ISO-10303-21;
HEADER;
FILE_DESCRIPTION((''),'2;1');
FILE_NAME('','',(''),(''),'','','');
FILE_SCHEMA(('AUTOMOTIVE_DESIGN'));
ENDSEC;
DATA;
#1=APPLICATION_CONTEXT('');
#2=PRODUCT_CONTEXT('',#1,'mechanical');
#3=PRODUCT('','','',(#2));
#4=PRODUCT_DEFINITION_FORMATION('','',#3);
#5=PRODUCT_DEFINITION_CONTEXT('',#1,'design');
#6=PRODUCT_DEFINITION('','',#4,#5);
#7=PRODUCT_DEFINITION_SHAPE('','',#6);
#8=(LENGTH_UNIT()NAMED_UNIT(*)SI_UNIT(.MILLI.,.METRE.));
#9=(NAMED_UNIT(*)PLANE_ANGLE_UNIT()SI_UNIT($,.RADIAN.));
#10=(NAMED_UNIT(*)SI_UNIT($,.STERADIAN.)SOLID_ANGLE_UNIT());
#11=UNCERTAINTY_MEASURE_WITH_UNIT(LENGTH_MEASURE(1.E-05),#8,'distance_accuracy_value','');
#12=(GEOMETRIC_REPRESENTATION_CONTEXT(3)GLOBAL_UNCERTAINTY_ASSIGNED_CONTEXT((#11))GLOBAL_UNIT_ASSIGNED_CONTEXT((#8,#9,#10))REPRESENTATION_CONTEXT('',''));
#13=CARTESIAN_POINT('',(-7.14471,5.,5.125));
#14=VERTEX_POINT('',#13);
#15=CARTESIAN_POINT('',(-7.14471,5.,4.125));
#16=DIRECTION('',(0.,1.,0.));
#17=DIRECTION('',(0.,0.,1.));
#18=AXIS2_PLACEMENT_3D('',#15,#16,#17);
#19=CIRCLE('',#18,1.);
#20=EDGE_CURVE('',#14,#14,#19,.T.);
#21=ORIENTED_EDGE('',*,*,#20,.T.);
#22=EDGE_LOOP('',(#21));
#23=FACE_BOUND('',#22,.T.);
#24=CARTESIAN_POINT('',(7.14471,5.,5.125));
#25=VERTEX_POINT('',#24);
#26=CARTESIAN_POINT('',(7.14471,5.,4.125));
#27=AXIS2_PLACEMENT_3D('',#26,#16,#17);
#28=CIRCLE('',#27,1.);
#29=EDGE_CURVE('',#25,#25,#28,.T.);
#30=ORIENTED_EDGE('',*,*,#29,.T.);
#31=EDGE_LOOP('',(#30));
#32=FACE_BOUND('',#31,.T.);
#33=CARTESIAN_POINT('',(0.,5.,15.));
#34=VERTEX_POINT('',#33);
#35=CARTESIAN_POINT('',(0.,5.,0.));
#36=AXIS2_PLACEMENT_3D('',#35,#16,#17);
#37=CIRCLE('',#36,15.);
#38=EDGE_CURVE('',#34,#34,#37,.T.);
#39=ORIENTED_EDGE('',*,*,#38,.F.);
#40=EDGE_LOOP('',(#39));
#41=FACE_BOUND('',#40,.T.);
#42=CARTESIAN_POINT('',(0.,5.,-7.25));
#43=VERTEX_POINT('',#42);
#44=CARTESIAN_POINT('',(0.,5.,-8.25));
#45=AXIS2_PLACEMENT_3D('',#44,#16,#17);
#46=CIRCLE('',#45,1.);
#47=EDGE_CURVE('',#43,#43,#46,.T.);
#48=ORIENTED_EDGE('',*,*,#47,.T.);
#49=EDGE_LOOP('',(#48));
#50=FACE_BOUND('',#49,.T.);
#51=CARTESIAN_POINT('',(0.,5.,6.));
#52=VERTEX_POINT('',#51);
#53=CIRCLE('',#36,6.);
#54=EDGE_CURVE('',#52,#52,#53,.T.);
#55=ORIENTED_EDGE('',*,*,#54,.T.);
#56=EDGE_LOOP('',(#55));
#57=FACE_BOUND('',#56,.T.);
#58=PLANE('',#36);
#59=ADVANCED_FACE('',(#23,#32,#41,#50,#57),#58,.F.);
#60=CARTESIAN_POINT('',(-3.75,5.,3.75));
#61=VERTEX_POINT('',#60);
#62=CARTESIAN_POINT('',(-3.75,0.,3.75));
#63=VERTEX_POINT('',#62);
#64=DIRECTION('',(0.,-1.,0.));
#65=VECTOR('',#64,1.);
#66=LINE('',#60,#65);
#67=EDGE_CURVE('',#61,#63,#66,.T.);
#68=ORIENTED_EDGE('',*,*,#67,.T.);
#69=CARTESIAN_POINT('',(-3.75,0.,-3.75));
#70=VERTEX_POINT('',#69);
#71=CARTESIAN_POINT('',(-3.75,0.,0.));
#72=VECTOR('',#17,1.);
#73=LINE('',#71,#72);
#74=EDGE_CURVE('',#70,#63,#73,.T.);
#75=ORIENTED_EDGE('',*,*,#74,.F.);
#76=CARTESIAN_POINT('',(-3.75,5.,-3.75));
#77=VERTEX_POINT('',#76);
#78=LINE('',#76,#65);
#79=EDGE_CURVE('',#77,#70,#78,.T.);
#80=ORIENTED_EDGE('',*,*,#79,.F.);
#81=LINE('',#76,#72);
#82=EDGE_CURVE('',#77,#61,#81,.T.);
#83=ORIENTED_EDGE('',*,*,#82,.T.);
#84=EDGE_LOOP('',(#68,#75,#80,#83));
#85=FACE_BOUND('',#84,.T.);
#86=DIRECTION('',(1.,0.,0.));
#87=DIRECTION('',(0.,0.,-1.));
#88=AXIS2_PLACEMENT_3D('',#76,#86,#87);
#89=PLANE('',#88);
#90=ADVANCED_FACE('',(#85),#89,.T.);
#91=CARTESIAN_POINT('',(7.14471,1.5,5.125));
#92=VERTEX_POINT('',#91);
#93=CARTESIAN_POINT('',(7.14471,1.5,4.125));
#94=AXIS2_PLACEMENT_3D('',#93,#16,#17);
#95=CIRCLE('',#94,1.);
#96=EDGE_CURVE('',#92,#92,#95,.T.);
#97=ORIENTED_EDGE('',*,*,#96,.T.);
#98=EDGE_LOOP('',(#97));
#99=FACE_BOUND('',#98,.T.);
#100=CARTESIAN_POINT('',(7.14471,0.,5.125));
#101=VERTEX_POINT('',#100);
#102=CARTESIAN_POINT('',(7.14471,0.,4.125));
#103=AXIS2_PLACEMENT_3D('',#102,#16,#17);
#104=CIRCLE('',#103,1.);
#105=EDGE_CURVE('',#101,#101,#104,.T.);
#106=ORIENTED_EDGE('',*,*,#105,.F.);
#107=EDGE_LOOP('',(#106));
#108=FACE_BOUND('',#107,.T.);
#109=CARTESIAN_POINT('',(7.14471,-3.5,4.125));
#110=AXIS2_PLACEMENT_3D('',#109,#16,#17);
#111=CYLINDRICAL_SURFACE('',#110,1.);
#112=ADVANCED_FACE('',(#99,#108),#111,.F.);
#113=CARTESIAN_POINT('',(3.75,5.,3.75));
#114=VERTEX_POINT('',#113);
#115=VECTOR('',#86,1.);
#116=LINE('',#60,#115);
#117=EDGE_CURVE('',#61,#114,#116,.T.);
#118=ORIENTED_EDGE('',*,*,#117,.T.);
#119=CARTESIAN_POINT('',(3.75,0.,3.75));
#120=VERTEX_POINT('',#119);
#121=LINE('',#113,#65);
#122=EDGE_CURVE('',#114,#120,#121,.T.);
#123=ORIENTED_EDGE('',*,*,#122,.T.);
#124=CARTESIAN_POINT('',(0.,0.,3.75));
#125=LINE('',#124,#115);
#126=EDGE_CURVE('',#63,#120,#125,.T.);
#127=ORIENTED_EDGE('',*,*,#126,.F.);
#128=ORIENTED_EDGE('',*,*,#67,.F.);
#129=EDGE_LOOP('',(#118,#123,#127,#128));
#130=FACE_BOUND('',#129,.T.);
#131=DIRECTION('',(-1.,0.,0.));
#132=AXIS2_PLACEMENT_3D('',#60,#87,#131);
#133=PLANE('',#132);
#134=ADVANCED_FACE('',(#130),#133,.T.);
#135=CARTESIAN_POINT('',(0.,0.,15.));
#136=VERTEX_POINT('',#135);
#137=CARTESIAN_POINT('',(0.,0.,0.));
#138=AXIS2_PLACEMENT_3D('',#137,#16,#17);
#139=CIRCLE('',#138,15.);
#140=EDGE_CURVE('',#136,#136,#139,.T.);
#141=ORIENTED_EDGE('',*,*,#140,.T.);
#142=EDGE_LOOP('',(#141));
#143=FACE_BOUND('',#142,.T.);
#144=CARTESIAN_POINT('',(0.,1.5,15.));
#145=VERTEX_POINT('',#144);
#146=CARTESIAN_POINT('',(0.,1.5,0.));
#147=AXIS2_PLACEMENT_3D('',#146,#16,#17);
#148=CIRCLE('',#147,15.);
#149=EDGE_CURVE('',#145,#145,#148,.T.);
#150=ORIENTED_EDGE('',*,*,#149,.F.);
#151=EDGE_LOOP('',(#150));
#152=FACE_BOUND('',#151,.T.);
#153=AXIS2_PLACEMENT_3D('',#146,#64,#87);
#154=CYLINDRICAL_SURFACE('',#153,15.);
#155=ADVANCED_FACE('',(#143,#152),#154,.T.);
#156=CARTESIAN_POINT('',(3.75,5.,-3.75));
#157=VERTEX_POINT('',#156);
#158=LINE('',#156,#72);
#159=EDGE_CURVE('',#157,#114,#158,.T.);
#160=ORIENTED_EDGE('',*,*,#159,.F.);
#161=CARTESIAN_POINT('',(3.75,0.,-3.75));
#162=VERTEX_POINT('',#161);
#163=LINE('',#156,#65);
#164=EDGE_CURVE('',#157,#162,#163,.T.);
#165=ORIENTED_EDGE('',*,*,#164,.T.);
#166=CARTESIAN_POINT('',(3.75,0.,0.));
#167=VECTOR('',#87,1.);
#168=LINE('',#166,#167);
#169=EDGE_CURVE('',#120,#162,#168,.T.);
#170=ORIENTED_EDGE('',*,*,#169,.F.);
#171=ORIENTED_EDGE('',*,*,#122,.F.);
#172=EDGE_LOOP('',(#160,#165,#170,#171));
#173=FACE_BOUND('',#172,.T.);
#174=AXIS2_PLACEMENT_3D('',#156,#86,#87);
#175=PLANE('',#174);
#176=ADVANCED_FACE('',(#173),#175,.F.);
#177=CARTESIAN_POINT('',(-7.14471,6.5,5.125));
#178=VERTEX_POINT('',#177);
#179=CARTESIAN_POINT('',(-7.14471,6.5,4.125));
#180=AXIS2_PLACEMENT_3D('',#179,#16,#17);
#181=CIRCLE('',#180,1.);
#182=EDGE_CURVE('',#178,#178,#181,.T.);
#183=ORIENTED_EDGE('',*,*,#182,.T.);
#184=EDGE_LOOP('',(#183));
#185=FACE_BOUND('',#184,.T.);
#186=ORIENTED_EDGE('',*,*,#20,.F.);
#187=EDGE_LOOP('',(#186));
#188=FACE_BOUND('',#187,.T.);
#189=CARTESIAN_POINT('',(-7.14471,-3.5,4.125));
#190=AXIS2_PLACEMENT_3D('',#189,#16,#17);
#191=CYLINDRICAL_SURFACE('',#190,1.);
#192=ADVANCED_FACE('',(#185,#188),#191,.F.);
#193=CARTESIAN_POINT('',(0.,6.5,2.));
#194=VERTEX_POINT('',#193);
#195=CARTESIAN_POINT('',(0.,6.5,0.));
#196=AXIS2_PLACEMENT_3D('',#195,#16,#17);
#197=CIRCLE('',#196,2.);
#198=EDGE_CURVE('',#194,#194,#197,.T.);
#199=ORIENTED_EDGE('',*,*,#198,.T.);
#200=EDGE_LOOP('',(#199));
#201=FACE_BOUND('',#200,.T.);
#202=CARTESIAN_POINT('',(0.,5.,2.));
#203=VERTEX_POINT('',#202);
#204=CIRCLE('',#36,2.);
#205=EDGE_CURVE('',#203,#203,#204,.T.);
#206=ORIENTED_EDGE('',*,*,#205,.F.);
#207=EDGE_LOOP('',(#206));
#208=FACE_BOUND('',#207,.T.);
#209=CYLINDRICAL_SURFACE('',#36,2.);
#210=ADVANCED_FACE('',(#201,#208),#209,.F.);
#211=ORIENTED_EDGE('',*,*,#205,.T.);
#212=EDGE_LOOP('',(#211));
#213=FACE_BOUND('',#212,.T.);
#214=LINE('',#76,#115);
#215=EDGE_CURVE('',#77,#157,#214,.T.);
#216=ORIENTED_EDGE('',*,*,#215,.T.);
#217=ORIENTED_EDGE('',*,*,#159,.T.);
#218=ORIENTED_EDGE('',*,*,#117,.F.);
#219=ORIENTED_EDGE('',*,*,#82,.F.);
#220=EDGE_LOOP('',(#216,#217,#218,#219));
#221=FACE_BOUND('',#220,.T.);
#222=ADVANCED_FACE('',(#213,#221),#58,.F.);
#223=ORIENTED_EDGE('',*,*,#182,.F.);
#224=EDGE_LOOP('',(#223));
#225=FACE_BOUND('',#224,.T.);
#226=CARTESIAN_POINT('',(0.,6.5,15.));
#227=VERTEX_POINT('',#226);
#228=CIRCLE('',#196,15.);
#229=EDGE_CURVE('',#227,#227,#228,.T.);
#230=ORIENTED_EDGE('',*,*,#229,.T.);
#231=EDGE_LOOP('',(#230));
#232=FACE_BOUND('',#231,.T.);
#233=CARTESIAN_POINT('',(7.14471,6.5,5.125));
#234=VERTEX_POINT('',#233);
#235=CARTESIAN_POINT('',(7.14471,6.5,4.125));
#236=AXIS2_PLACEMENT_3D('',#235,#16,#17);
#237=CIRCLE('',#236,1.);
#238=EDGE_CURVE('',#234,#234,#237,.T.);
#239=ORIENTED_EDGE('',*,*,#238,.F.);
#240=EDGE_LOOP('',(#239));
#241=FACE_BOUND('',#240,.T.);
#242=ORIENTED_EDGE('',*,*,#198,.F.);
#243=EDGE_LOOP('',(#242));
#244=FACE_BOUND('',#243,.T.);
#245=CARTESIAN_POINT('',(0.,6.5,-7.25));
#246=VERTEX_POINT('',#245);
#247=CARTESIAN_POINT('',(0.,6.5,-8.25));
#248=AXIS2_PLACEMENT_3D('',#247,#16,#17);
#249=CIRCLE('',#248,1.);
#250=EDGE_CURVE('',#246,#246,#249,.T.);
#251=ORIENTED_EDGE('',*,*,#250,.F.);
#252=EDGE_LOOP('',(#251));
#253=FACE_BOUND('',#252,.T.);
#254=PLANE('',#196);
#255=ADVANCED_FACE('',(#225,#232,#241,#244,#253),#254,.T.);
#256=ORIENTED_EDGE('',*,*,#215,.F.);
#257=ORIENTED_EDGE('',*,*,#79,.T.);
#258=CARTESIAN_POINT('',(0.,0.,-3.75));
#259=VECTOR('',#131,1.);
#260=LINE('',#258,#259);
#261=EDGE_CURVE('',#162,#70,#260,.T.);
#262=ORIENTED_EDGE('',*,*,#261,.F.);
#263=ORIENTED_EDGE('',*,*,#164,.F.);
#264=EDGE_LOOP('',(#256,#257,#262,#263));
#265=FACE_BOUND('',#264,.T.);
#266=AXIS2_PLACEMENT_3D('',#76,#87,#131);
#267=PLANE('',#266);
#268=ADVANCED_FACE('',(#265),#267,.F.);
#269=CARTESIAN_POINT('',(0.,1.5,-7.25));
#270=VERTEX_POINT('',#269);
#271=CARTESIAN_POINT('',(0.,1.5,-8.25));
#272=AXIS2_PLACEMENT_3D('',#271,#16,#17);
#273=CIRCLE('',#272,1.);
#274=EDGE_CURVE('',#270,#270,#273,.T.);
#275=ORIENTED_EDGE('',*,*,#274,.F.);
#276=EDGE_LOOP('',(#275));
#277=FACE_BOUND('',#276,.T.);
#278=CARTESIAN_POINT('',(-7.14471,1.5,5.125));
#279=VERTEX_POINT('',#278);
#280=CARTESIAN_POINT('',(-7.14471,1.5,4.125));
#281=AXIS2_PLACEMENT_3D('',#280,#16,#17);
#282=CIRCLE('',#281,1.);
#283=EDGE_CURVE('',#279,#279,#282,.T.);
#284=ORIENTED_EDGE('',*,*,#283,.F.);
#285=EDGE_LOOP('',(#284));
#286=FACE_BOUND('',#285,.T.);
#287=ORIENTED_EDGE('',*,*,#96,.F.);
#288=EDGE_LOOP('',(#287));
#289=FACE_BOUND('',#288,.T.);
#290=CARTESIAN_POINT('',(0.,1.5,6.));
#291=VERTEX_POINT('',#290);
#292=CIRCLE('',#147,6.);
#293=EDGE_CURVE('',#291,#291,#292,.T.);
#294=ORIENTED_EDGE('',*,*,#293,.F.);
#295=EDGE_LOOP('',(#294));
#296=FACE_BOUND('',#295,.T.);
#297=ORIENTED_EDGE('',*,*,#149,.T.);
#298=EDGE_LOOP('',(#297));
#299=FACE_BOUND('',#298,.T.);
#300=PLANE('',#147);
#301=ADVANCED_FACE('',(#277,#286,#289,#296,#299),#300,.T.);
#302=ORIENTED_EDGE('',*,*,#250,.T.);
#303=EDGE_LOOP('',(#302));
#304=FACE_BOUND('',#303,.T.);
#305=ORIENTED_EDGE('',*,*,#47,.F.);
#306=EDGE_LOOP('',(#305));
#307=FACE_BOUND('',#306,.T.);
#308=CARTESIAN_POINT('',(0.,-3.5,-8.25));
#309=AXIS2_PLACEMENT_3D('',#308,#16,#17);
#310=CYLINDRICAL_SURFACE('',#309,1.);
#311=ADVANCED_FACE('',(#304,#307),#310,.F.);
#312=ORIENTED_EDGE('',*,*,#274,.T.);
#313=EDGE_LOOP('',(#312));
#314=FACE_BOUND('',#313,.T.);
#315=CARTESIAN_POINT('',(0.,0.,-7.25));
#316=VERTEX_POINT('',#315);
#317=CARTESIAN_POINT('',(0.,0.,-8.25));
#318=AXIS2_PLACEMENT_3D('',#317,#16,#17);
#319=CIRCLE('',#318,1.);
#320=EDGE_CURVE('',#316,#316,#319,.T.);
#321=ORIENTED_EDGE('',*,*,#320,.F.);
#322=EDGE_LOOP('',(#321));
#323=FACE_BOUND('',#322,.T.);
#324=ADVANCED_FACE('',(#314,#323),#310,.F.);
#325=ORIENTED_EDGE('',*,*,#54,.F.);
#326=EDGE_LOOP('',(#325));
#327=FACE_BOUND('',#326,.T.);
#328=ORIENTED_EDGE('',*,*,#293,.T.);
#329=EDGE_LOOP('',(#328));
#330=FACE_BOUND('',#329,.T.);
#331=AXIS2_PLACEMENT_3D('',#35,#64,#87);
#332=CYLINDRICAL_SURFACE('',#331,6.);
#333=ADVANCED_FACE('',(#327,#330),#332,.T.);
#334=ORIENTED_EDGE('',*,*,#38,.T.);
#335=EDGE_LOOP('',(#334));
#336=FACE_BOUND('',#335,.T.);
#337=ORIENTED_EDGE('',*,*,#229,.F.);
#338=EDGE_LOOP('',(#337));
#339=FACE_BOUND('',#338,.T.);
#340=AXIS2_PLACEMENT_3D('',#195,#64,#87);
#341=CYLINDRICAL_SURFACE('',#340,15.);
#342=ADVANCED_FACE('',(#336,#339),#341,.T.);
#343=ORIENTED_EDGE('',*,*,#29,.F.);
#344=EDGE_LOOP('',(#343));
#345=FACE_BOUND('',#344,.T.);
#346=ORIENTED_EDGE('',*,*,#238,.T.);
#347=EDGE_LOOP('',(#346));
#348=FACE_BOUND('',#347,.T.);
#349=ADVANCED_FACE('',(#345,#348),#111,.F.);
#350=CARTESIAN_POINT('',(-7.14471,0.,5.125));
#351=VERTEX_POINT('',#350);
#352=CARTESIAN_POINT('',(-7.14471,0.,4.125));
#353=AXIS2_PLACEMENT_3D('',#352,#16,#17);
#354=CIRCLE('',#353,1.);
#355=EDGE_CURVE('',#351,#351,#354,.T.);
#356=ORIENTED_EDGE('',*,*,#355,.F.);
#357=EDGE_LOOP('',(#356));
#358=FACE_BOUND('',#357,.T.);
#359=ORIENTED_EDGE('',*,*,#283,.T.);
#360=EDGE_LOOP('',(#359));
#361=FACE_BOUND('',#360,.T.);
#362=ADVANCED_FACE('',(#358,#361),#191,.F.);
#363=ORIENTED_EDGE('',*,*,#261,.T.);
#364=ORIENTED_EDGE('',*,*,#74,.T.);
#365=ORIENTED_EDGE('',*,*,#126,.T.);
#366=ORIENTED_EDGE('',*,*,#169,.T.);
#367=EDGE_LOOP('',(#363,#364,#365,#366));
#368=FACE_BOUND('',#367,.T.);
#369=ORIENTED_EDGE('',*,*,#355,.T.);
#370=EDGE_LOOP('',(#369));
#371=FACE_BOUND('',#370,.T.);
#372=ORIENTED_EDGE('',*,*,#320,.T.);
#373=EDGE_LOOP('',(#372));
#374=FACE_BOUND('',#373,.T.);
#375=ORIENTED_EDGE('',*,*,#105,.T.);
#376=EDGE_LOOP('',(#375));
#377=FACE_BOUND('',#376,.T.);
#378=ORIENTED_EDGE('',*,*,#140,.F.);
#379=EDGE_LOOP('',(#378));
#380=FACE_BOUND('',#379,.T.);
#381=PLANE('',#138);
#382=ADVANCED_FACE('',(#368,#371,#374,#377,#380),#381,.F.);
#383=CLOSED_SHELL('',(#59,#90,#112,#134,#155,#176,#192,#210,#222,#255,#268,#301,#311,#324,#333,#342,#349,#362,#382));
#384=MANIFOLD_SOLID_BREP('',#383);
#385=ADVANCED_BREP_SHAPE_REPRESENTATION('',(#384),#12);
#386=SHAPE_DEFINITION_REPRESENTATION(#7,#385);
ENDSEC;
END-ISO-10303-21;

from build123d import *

# Parameters (mm, degrees)
SKETCH_1_R          = 15
EXTRUDE_1_DEPTH     = 1.5
SKETCH_2_R          = 6
SKETCH_2_W          = 7.5
SKETCH_2_H          = 7.5
EXTRUDE_2_DEPTH     = 3.5
SKETCH_3_W          = 7.5
SKETCH_3_H          = 7.5
CUT_EXTRUDE_1_DEPTH = 3.5
SKETCH_4_R          = 15
EXTRUDE_3_DEPTH     = 1.5
SKETCH_5_R          = 2
CUT_EXTRUDE_2_DEPTH = 1.5
SKETCH_6_R          = 1
CUT_EXTRUDE_3_DEPTH = 10


with BuildPart() as part:
    # 草图1 → 凸台-拉伸1 (new body)
    with BuildSketch(Plane(origin=(0, 0, 0), x_dir=(1, 0, 0), z_dir=(0, 1, 0))):
        Circle(SKETCH_1_R)
    extrude(amount=EXTRUDE_1_DEPTH)

    # 草图2 → 凸台-拉伸2 (add)
    with BuildSketch(Plane(origin=(0, 1.5, 0), x_dir=(1, 0, 0), z_dir=(0, 1, 0))):
        Circle(SKETCH_2_R)
        Rectangle(SKETCH_2_W, SKETCH_2_H, mode=Mode.SUBTRACT)
    extrude(amount=EXTRUDE_2_DEPTH)

    # 草图3 → 切除-拉伸1 (cut)
    with BuildSketch(Plane(origin=(0, 1.5, 0), x_dir=(1, 0, 0), z_dir=(0, 1, 0))):
        Rectangle(SKETCH_3_W, SKETCH_3_H)
    extrude(amount=-CUT_EXTRUDE_1_DEPTH, mode=Mode.SUBTRACT)

    # 草图4 → 凸台-拉伸3 (add)
    with BuildSketch(Plane(origin=(0, 5, 0), x_dir=(1, 0, 0), z_dir=(0, 1, 0))):
        Circle(SKETCH_4_R)
    extrude(amount=EXTRUDE_3_DEPTH)

    # 草图5 → 切除-拉伸2 (cut)
    with BuildSketch(Plane(origin=(0, 6.5, 0), x_dir=(1, 0, 0), z_dir=(0, 1, 0))):
        Circle(SKETCH_5_R)
    extrude(amount=-CUT_EXTRUDE_2_DEPTH, mode=Mode.SUBTRACT)

    # 草图6 → 切除-拉伸3 (cut)
    with BuildSketch(Plane(origin=(0, 6.5, 0), x_dir=(1, 0, 0), z_dir=(0, 1, 0))):
        with Locations((0, 8.25)):
            Circle(SKETCH_6_R)
        with Locations((-7.144709581, -4.125)):
            Circle(SKETCH_6_R)
        with Locations((7.144709581, -4.125)):
            Circle(SKETCH_6_R)
    extrude(amount=-CUT_EXTRUDE_3_DEPTH, mode=Mode.SUBTRACT)


solid = part.part
